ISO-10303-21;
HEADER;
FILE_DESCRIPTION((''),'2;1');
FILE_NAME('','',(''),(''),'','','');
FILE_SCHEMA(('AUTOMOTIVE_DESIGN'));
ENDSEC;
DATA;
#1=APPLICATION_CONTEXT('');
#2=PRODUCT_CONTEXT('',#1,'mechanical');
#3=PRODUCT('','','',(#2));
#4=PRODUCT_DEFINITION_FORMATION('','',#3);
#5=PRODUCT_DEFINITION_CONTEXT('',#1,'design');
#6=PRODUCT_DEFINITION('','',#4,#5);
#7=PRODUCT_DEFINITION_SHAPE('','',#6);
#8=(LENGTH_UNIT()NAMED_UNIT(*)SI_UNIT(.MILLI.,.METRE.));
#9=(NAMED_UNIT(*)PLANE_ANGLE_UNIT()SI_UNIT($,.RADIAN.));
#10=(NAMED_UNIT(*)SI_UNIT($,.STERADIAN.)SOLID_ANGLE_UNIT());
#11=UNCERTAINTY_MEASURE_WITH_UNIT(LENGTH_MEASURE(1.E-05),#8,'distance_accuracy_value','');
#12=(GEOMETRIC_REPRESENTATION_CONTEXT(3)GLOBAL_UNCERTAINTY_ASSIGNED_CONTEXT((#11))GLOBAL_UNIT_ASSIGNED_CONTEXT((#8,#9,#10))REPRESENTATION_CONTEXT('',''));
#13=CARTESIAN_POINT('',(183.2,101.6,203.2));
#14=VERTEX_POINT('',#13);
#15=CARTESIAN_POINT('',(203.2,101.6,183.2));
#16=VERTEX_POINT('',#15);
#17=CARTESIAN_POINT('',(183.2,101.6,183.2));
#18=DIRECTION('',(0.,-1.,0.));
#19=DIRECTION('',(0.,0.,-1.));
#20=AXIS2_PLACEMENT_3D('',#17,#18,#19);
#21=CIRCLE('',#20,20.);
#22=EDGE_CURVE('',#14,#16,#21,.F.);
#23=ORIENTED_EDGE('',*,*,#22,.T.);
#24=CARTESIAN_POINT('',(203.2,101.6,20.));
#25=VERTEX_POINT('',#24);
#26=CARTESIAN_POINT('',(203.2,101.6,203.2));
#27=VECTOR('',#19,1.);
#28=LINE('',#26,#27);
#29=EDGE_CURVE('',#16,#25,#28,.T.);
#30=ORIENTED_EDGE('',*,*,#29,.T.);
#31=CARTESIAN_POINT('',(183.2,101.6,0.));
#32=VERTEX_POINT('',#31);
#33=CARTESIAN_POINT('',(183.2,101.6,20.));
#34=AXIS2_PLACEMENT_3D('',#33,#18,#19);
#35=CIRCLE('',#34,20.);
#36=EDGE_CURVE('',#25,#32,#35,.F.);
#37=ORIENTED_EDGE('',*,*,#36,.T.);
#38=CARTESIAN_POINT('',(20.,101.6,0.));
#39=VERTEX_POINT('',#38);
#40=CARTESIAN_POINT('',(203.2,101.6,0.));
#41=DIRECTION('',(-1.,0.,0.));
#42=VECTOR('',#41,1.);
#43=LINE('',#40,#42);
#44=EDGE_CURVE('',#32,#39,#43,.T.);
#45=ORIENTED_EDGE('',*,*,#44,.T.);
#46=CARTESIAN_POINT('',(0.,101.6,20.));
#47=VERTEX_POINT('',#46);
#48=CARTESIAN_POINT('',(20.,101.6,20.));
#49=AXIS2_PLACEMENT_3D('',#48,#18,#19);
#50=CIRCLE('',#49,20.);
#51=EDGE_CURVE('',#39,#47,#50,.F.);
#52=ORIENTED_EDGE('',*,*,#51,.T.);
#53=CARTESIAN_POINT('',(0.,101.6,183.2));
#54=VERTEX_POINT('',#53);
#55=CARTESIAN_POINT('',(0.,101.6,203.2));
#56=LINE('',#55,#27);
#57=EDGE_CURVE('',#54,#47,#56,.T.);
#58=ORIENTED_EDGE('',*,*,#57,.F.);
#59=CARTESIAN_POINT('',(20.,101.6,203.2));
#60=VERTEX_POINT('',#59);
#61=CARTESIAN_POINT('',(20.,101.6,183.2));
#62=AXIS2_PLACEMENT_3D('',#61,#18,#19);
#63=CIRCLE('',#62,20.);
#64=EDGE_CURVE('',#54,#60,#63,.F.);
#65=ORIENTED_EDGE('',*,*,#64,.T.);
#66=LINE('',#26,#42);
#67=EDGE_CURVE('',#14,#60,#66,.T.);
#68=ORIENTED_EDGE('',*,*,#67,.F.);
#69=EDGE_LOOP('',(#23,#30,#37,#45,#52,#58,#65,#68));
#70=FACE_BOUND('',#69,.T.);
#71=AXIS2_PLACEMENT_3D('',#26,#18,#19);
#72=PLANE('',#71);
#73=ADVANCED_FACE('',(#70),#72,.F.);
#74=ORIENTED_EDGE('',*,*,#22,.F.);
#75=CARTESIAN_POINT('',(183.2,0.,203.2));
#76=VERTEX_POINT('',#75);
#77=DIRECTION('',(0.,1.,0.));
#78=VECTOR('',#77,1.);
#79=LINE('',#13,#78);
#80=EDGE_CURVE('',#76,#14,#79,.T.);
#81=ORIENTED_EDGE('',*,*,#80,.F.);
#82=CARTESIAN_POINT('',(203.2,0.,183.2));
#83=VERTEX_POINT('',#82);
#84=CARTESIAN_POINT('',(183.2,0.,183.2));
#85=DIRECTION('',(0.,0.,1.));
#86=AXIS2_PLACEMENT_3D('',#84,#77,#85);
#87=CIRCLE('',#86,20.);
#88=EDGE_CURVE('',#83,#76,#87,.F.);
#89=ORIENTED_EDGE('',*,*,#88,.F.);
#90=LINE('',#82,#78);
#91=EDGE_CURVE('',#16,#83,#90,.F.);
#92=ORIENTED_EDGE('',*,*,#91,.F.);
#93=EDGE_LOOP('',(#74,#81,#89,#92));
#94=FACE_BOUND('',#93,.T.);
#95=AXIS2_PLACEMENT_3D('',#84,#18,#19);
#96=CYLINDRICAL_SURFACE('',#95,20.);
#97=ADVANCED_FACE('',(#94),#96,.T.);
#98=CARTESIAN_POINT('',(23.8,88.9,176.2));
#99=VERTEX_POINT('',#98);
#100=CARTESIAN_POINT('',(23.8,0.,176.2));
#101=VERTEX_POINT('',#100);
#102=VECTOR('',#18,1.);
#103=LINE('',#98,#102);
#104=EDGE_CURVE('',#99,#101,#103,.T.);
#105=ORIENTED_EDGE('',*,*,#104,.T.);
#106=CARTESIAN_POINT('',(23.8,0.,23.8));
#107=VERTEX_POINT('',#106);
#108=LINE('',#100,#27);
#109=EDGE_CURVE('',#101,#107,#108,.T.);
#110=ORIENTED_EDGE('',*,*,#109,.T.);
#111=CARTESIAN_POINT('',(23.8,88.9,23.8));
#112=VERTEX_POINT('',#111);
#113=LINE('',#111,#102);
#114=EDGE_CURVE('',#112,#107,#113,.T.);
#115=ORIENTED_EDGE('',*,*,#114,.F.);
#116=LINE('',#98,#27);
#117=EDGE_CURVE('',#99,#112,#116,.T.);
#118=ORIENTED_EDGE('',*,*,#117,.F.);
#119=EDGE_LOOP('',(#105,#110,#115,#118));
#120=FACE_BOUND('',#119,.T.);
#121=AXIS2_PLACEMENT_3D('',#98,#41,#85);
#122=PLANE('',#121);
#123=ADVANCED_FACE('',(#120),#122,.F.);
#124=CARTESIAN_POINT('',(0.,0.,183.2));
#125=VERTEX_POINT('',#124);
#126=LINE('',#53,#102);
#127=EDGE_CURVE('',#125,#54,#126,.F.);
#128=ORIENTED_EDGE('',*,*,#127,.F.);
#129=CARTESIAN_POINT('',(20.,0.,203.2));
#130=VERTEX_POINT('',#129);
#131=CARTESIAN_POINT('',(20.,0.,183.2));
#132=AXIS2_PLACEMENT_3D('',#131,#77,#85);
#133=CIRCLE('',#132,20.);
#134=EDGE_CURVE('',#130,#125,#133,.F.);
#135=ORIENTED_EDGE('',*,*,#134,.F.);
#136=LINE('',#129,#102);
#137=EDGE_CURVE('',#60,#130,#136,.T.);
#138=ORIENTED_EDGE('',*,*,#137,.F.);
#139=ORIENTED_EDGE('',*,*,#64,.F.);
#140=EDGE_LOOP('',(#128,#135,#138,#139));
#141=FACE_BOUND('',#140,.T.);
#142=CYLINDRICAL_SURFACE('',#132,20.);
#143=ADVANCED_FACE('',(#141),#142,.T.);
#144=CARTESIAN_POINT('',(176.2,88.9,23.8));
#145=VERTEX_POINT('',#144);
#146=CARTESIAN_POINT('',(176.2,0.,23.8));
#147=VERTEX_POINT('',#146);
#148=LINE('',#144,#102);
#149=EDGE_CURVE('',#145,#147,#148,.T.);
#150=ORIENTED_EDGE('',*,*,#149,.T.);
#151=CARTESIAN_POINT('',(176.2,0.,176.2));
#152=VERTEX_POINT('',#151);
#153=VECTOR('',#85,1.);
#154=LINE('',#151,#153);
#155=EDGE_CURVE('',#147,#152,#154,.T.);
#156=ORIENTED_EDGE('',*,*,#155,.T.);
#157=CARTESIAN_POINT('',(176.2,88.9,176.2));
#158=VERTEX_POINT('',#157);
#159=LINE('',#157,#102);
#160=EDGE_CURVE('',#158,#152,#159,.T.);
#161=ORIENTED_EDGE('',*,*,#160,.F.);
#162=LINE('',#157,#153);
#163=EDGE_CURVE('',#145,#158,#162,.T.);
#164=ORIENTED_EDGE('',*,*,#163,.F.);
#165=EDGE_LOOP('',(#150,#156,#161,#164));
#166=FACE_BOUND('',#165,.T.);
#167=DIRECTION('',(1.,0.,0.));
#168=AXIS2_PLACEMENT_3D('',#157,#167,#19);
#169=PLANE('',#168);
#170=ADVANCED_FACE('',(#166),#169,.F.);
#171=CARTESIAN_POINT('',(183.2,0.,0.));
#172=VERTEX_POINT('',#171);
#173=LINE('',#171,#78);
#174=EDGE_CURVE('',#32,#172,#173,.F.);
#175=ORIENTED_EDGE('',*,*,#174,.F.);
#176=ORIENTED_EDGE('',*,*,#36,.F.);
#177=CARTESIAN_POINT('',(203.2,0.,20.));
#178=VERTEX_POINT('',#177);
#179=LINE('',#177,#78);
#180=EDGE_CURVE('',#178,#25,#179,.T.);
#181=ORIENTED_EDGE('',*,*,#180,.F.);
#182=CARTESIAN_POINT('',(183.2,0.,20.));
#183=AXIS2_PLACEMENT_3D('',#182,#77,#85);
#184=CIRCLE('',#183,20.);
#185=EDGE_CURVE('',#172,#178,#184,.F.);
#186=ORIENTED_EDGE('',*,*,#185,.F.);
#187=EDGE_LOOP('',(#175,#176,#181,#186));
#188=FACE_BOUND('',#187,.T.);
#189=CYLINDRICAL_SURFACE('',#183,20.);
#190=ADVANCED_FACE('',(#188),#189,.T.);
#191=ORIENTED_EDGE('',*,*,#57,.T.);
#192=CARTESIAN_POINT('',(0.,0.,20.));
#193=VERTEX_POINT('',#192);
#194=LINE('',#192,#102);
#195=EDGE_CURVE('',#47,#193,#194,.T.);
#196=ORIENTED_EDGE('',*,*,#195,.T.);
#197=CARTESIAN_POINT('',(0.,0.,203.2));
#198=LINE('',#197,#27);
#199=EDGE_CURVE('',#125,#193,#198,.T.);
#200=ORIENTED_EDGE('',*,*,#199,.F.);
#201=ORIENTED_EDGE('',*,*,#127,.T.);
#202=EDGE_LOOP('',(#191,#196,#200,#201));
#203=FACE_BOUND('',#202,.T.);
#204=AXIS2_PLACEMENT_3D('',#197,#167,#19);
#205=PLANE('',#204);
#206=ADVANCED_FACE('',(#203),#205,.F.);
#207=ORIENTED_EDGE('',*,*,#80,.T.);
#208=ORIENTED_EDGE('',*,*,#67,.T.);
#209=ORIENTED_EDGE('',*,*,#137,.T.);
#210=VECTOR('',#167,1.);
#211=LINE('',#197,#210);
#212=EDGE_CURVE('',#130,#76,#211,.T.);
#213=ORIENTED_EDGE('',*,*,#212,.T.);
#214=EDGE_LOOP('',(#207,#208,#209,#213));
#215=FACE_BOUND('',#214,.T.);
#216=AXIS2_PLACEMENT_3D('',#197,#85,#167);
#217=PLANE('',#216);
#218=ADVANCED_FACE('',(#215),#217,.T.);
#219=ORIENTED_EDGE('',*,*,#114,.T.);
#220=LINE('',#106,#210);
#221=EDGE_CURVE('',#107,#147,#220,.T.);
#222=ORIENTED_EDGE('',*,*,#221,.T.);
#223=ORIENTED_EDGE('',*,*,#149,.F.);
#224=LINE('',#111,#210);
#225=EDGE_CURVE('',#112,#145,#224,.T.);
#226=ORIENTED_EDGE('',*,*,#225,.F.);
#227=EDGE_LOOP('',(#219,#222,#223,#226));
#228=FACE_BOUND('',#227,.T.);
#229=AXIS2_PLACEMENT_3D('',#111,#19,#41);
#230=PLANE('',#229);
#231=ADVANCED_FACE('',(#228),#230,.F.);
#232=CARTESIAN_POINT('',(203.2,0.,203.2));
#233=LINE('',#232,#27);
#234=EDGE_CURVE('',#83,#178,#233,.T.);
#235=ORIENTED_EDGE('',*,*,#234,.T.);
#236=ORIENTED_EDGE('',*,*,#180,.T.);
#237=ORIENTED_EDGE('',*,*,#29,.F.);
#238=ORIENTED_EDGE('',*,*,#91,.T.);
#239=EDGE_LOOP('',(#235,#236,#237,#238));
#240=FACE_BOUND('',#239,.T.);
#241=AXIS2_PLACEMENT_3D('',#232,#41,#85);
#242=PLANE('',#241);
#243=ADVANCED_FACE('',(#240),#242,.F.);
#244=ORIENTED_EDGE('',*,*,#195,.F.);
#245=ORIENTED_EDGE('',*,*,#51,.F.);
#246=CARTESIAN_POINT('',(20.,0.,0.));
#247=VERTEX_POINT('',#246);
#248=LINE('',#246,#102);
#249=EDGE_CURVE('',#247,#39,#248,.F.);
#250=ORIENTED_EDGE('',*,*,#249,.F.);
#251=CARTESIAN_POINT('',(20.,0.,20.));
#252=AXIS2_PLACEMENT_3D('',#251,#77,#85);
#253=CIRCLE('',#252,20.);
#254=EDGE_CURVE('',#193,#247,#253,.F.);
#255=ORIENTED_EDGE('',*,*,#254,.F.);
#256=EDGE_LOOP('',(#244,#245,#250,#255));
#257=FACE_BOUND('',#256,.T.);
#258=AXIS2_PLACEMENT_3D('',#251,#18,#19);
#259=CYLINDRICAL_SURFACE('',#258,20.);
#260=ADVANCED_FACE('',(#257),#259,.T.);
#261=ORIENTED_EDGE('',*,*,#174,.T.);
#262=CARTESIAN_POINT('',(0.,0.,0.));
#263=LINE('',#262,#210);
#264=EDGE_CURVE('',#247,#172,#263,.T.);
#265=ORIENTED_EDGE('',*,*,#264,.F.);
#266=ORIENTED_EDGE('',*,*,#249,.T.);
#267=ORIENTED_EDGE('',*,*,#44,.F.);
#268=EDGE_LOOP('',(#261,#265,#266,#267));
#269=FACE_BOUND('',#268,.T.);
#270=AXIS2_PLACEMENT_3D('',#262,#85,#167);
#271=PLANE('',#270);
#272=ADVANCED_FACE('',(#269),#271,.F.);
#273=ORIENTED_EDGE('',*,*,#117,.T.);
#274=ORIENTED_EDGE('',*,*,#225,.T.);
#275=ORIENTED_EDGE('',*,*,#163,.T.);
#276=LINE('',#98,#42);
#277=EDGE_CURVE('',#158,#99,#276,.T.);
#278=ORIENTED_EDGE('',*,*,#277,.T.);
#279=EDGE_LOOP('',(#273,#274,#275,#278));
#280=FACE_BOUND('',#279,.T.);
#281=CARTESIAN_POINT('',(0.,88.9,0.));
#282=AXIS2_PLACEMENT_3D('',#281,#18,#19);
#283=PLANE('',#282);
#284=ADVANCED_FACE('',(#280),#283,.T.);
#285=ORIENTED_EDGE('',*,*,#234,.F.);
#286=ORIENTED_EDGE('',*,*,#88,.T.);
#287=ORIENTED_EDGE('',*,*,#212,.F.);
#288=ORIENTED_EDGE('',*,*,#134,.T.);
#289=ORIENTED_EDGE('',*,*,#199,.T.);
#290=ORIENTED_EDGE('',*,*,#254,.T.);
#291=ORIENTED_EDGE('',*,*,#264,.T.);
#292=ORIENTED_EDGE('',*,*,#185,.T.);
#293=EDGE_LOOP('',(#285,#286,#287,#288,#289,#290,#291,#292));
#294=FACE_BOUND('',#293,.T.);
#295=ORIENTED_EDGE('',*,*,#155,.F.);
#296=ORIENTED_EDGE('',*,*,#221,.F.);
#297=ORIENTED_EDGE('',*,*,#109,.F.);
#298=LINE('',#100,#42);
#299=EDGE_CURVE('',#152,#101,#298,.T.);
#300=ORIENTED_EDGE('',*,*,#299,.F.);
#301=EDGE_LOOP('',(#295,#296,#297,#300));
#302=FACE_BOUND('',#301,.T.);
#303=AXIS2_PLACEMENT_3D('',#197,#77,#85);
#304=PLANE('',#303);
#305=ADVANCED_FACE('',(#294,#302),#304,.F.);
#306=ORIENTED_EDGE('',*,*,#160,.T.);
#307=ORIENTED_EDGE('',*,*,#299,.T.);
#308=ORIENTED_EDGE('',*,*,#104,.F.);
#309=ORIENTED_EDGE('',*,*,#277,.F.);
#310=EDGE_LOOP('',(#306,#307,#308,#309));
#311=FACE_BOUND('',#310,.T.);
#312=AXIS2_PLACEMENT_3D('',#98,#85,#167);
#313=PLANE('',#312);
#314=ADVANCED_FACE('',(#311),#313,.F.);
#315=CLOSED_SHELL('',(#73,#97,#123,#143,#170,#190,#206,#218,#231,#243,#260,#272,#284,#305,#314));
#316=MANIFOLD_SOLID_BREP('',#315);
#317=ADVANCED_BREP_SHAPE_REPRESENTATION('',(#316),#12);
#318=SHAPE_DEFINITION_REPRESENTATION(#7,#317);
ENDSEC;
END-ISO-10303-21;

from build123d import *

# Parameters (mm, degrees)
SKETCH1_W           = 203.2
SKETCH1_H           = 101.6
BOSS_EXTRUDE2_DEPTH = 203.2
FILLET3_R           = 20
FILLET4_R           = 20
FILLET5_R           = 20
FILLET6_R           = 20
SKETCH2_W           = 152.4
SKETCH2_H           = 152.4
CUT_EXTRUDE1_DEPTH  = 88.9


with BuildPart() as part:
    # Sketch1 → Boss-Extrude2 (new body)
    with BuildSketch(Plane.XY):
        with Locations((101.6, 50.8)):
            Rectangle(SKETCH1_W, SKETCH1_H)
    extrude(amount=BOSS_EXTRUDE2_DEPTH)

    # Fillet3
    fillet3_edges = [part.edges().sort_by_distance(p)[0] for p in [
        (0, 50.8, 0),
    ]]
    fillet(fillet3_edges, radius=FILLET3_R)

    # Fillet4
    fillet4_edges = [part.edges().sort_by_distance(p)[0] for p in [
        (203.2, 50.8, 0),
    ]]
    fillet(fillet4_edges, radius=FILLET4_R)

    # Fillet5
    fillet5_edges = [part.edges().sort_by_distance(p)[0] for p in [
        (0, 50.8, 203.2),
    ]]
    fillet(fillet5_edges, radius=FILLET5_R)

    # Fillet6
    fillet6_edges = [part.edges().sort_by_distance(p)[0] for p in [
        (203.2, 50.8, 203.2),
    ]]
    fillet(fillet6_edges, radius=FILLET6_R)

    # Sketch2 → Cut-Extrude1 (cut)
    with BuildSketch(Plane.XZ):
        with Locations((100, 100)):
            Rectangle(SKETCH2_W, SKETCH2_H)
    extrude(amount=-CUT_EXTRUDE1_DEPTH, mode=Mode.SUBTRACT)


solid = part.part
